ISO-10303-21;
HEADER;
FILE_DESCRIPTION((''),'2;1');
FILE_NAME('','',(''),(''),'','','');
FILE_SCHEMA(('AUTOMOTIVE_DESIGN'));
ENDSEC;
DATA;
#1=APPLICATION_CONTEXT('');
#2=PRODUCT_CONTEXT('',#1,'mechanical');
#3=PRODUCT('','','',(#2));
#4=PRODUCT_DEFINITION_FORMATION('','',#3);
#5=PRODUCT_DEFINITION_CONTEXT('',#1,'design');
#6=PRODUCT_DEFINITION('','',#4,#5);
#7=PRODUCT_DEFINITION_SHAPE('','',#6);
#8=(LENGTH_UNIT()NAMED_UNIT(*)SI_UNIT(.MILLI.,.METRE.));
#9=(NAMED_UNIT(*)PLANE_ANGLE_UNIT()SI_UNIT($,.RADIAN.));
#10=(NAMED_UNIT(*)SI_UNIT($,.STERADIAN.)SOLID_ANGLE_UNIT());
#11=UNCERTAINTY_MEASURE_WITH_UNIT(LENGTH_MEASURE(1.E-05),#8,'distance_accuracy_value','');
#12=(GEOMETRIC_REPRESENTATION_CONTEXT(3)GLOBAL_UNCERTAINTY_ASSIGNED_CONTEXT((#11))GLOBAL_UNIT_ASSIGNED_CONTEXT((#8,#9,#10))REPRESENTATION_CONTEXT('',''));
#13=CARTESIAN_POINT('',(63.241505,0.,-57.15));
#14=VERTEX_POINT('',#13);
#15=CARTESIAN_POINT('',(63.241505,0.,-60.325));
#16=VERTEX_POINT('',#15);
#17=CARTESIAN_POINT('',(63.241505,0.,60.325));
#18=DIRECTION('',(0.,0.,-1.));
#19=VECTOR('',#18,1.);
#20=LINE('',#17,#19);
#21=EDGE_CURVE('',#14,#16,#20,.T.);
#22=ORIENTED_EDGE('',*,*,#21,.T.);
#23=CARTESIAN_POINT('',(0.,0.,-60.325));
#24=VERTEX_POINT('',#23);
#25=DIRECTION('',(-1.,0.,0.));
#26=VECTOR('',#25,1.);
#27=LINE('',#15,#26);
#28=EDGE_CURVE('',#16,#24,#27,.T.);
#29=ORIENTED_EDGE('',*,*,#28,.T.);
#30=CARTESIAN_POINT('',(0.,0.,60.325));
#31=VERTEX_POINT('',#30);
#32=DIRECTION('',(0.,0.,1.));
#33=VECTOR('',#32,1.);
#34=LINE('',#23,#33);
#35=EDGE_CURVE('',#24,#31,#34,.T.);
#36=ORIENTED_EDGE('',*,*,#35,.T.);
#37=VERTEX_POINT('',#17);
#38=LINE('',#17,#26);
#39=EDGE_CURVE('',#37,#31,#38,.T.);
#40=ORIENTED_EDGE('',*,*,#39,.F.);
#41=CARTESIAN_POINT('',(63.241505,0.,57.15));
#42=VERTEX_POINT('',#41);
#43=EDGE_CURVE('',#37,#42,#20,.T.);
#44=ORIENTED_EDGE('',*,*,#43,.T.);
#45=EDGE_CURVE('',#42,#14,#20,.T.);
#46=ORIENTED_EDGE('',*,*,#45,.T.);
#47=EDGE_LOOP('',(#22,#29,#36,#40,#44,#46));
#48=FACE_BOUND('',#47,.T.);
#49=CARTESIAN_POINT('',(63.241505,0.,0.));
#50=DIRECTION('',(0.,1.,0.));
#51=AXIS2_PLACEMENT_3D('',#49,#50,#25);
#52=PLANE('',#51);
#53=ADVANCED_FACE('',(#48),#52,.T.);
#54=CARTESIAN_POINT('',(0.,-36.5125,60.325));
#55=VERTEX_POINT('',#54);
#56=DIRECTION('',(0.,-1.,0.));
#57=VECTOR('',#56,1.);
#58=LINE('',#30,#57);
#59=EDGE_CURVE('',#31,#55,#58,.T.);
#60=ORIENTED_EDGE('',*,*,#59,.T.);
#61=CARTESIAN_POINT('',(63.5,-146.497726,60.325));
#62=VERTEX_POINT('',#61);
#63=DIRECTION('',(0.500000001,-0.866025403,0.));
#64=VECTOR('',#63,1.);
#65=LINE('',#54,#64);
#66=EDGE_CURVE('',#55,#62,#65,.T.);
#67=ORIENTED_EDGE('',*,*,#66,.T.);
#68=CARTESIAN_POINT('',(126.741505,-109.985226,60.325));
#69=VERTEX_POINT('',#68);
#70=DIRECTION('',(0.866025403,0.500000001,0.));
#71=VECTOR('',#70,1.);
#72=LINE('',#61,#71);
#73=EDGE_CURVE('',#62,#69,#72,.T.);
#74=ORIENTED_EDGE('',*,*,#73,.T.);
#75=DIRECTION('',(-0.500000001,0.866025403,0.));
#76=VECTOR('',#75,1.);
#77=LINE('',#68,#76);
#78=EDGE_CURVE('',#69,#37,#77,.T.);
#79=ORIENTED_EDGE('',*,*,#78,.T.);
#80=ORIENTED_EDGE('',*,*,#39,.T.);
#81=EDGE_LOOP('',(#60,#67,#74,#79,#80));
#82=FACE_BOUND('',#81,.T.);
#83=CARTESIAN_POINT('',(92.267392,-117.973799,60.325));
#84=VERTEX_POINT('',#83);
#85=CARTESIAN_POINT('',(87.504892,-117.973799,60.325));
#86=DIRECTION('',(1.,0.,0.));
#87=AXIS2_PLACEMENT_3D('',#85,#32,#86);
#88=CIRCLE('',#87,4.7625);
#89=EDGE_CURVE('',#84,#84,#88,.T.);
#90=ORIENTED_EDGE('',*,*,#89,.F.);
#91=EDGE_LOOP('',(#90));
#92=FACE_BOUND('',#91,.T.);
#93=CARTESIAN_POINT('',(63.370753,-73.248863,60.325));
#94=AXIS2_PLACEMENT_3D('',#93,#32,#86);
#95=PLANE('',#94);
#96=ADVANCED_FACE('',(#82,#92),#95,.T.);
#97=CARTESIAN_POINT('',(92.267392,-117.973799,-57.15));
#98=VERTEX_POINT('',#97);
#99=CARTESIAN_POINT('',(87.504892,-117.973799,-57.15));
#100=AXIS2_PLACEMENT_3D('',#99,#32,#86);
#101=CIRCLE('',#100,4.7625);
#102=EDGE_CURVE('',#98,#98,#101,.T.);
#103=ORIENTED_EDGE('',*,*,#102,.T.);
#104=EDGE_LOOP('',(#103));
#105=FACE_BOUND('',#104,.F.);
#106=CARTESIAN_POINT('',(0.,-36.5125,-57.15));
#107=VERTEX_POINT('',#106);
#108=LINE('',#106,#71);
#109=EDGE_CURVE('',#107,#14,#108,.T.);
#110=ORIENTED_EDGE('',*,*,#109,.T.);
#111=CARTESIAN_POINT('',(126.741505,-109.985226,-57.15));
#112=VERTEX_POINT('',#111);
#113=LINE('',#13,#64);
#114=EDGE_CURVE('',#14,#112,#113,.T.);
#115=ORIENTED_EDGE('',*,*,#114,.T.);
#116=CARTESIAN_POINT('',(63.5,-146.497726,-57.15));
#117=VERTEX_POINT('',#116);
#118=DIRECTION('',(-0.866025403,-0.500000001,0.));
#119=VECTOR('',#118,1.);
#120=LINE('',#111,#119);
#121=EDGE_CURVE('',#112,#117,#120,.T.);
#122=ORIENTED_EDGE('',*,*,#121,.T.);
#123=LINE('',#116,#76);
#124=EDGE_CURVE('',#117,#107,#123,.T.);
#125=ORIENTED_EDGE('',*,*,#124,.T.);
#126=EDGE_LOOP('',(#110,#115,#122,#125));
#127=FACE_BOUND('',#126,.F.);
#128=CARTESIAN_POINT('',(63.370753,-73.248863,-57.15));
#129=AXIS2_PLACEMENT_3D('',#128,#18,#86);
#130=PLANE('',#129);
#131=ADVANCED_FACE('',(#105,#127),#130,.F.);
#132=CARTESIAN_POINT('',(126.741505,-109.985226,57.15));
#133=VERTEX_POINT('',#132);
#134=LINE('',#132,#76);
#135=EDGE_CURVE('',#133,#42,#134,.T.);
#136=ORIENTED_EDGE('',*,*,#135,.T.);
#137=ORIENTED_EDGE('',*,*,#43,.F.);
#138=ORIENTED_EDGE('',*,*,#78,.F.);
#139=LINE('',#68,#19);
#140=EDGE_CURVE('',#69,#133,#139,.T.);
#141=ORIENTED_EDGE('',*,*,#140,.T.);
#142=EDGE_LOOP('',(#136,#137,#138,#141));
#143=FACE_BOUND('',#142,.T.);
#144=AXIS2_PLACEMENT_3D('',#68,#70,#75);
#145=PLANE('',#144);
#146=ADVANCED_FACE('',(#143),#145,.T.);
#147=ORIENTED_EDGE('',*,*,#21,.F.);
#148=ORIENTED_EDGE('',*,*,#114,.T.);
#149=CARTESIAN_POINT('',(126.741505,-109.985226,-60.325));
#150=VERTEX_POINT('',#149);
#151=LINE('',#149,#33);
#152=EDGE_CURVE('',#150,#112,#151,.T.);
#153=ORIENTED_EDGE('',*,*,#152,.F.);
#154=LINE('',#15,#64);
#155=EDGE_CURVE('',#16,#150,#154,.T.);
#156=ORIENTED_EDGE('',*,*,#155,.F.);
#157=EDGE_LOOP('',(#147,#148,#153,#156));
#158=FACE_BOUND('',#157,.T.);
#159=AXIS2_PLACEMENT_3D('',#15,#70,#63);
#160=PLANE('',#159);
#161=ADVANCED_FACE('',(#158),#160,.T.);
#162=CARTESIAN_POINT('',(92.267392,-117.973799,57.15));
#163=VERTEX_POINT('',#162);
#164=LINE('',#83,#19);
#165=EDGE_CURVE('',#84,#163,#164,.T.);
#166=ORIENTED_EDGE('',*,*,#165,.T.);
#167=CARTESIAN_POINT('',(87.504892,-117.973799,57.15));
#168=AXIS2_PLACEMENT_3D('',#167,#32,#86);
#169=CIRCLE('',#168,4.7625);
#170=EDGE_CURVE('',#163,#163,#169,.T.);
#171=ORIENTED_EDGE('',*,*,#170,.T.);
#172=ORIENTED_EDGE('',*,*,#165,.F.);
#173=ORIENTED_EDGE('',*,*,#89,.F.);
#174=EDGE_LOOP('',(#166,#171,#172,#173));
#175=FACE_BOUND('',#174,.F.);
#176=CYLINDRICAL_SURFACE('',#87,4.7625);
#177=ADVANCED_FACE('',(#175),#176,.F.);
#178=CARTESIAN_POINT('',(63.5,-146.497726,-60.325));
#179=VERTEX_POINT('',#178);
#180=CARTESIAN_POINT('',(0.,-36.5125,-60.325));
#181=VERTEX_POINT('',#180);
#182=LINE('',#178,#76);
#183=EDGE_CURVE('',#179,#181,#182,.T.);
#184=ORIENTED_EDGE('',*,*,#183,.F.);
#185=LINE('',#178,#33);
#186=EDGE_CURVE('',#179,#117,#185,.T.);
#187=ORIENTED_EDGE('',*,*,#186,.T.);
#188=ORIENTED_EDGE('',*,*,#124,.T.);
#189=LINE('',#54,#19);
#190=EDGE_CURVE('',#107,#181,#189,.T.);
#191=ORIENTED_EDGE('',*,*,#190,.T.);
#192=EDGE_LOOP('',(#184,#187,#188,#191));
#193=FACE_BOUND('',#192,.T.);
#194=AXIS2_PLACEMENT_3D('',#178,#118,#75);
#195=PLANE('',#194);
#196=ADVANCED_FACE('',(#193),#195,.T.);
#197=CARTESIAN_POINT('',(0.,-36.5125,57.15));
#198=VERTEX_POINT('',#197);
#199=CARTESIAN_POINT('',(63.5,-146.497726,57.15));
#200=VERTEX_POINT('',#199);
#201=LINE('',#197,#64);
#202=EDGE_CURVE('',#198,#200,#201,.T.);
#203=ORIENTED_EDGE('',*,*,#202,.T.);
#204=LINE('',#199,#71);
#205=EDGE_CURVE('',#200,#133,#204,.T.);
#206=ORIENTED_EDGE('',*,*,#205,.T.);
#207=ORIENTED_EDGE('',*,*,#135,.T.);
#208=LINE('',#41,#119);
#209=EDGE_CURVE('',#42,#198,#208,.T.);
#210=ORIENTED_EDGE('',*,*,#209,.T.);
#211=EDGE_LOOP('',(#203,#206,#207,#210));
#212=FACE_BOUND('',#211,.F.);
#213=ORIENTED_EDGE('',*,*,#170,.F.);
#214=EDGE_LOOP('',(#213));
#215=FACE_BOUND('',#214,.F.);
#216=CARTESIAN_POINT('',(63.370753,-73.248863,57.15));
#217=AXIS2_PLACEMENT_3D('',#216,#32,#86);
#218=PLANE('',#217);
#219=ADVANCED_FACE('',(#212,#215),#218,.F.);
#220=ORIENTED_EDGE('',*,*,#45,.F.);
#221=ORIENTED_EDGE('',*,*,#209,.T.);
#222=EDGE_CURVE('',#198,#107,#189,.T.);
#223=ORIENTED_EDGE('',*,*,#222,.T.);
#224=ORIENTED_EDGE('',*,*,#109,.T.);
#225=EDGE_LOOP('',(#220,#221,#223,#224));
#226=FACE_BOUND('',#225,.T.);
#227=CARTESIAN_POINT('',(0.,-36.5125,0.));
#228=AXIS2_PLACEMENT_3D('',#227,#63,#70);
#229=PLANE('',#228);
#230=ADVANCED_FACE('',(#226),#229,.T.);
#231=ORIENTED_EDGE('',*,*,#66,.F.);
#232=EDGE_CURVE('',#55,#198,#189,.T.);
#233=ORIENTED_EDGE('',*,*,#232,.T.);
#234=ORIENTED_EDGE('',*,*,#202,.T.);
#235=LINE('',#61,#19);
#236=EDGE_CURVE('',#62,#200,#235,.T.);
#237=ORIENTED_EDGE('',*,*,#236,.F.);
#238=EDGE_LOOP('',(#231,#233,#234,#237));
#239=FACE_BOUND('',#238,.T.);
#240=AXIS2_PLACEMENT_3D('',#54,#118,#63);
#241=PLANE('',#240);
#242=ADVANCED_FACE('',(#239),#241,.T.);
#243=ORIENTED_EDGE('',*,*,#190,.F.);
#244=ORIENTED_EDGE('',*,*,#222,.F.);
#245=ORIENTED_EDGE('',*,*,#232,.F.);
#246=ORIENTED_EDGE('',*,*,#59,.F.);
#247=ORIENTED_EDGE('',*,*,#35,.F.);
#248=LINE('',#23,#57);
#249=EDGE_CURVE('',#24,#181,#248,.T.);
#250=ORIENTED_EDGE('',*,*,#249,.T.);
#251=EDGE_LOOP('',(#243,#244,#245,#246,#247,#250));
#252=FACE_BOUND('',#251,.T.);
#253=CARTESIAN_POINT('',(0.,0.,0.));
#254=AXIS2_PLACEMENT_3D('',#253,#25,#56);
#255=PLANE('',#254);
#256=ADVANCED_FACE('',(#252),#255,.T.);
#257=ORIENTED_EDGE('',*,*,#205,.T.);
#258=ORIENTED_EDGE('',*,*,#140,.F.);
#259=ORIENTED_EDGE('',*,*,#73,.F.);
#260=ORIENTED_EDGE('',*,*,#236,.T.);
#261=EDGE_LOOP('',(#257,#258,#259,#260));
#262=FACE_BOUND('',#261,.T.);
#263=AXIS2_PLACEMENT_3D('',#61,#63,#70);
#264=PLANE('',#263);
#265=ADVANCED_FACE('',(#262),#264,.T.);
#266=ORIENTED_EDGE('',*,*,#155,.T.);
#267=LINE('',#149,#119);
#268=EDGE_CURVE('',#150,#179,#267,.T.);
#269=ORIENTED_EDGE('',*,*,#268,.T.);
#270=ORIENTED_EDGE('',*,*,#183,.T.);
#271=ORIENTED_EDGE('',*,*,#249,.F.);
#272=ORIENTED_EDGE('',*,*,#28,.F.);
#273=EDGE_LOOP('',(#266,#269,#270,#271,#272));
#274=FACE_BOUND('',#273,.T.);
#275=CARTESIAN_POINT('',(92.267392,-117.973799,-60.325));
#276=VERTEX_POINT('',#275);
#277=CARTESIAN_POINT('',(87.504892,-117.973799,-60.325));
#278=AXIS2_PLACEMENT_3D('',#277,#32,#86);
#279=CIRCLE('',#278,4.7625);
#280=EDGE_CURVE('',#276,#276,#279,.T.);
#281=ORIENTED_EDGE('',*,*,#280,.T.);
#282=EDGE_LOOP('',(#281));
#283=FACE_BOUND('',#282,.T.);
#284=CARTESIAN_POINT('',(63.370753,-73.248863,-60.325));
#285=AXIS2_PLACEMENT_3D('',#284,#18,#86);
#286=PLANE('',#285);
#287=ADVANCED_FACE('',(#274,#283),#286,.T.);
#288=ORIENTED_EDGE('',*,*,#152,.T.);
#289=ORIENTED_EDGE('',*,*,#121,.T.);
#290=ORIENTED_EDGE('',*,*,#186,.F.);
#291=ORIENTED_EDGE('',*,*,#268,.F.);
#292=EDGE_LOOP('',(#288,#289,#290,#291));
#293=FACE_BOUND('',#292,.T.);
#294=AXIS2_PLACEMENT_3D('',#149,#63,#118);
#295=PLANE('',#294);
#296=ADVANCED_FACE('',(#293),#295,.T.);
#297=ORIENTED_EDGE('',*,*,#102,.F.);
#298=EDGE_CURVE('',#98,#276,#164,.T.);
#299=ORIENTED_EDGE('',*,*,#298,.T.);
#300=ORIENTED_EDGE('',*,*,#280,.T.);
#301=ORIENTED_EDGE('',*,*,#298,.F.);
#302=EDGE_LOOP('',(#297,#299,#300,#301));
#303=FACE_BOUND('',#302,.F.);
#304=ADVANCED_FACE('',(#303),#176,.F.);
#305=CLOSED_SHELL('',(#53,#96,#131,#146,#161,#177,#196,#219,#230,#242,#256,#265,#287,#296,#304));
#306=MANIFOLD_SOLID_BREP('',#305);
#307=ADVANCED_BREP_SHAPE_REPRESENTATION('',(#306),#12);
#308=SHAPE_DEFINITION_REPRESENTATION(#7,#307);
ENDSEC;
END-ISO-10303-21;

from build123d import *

# Parameters (mm, degrees)
F1_DEPTH = 60.325
F3_DEPTH = 3.175
F5_DEPTH = 3.175
F6_R     = 4.7625
F7_DEPTH = 120.651


with BuildPart() as f1:
    # F0 (on Top) → F1 (new body, symmetric)
    with BuildSketch(Plane.XY):
        Polygon((63.241505, 0), (0, 0), (0, -36.5125), align=None)
    extrude(amount=F1_DEPTH, both=True)

    # F2 (on face) → F3 (join)
    with BuildSketch(Plane.XY.offset(60.325)):
        Polygon((63.241505, 0), (0, -36.5125), (63.5, -146.497726), (126.741505, -109.985226), align=None)
    extrude(amount=-F3_DEPTH)

    # F4 (on face) → F5 (join)
    with BuildSketch(Plane(origin=(0, 0, -60.325), x_dir=(1, 0, 0), z_dir=(0, 0, -1))):
        Polygon((63.5, 146.497726), (0, 36.5125), (63.241505, 0), (126.741505, 109.985226), align=None)
    extrude(amount=-F5_DEPTH)

    # F6 (on face) → F7 (cut, through all)
    with BuildSketch(Plane.XY.offset(60.325)):
        with Locations((87.504892, -117.973799)):
            Circle(F6_R)
    extrude(amount=-F7_DEPTH, mode=Mode.SUBTRACT)


solid = f1.part
